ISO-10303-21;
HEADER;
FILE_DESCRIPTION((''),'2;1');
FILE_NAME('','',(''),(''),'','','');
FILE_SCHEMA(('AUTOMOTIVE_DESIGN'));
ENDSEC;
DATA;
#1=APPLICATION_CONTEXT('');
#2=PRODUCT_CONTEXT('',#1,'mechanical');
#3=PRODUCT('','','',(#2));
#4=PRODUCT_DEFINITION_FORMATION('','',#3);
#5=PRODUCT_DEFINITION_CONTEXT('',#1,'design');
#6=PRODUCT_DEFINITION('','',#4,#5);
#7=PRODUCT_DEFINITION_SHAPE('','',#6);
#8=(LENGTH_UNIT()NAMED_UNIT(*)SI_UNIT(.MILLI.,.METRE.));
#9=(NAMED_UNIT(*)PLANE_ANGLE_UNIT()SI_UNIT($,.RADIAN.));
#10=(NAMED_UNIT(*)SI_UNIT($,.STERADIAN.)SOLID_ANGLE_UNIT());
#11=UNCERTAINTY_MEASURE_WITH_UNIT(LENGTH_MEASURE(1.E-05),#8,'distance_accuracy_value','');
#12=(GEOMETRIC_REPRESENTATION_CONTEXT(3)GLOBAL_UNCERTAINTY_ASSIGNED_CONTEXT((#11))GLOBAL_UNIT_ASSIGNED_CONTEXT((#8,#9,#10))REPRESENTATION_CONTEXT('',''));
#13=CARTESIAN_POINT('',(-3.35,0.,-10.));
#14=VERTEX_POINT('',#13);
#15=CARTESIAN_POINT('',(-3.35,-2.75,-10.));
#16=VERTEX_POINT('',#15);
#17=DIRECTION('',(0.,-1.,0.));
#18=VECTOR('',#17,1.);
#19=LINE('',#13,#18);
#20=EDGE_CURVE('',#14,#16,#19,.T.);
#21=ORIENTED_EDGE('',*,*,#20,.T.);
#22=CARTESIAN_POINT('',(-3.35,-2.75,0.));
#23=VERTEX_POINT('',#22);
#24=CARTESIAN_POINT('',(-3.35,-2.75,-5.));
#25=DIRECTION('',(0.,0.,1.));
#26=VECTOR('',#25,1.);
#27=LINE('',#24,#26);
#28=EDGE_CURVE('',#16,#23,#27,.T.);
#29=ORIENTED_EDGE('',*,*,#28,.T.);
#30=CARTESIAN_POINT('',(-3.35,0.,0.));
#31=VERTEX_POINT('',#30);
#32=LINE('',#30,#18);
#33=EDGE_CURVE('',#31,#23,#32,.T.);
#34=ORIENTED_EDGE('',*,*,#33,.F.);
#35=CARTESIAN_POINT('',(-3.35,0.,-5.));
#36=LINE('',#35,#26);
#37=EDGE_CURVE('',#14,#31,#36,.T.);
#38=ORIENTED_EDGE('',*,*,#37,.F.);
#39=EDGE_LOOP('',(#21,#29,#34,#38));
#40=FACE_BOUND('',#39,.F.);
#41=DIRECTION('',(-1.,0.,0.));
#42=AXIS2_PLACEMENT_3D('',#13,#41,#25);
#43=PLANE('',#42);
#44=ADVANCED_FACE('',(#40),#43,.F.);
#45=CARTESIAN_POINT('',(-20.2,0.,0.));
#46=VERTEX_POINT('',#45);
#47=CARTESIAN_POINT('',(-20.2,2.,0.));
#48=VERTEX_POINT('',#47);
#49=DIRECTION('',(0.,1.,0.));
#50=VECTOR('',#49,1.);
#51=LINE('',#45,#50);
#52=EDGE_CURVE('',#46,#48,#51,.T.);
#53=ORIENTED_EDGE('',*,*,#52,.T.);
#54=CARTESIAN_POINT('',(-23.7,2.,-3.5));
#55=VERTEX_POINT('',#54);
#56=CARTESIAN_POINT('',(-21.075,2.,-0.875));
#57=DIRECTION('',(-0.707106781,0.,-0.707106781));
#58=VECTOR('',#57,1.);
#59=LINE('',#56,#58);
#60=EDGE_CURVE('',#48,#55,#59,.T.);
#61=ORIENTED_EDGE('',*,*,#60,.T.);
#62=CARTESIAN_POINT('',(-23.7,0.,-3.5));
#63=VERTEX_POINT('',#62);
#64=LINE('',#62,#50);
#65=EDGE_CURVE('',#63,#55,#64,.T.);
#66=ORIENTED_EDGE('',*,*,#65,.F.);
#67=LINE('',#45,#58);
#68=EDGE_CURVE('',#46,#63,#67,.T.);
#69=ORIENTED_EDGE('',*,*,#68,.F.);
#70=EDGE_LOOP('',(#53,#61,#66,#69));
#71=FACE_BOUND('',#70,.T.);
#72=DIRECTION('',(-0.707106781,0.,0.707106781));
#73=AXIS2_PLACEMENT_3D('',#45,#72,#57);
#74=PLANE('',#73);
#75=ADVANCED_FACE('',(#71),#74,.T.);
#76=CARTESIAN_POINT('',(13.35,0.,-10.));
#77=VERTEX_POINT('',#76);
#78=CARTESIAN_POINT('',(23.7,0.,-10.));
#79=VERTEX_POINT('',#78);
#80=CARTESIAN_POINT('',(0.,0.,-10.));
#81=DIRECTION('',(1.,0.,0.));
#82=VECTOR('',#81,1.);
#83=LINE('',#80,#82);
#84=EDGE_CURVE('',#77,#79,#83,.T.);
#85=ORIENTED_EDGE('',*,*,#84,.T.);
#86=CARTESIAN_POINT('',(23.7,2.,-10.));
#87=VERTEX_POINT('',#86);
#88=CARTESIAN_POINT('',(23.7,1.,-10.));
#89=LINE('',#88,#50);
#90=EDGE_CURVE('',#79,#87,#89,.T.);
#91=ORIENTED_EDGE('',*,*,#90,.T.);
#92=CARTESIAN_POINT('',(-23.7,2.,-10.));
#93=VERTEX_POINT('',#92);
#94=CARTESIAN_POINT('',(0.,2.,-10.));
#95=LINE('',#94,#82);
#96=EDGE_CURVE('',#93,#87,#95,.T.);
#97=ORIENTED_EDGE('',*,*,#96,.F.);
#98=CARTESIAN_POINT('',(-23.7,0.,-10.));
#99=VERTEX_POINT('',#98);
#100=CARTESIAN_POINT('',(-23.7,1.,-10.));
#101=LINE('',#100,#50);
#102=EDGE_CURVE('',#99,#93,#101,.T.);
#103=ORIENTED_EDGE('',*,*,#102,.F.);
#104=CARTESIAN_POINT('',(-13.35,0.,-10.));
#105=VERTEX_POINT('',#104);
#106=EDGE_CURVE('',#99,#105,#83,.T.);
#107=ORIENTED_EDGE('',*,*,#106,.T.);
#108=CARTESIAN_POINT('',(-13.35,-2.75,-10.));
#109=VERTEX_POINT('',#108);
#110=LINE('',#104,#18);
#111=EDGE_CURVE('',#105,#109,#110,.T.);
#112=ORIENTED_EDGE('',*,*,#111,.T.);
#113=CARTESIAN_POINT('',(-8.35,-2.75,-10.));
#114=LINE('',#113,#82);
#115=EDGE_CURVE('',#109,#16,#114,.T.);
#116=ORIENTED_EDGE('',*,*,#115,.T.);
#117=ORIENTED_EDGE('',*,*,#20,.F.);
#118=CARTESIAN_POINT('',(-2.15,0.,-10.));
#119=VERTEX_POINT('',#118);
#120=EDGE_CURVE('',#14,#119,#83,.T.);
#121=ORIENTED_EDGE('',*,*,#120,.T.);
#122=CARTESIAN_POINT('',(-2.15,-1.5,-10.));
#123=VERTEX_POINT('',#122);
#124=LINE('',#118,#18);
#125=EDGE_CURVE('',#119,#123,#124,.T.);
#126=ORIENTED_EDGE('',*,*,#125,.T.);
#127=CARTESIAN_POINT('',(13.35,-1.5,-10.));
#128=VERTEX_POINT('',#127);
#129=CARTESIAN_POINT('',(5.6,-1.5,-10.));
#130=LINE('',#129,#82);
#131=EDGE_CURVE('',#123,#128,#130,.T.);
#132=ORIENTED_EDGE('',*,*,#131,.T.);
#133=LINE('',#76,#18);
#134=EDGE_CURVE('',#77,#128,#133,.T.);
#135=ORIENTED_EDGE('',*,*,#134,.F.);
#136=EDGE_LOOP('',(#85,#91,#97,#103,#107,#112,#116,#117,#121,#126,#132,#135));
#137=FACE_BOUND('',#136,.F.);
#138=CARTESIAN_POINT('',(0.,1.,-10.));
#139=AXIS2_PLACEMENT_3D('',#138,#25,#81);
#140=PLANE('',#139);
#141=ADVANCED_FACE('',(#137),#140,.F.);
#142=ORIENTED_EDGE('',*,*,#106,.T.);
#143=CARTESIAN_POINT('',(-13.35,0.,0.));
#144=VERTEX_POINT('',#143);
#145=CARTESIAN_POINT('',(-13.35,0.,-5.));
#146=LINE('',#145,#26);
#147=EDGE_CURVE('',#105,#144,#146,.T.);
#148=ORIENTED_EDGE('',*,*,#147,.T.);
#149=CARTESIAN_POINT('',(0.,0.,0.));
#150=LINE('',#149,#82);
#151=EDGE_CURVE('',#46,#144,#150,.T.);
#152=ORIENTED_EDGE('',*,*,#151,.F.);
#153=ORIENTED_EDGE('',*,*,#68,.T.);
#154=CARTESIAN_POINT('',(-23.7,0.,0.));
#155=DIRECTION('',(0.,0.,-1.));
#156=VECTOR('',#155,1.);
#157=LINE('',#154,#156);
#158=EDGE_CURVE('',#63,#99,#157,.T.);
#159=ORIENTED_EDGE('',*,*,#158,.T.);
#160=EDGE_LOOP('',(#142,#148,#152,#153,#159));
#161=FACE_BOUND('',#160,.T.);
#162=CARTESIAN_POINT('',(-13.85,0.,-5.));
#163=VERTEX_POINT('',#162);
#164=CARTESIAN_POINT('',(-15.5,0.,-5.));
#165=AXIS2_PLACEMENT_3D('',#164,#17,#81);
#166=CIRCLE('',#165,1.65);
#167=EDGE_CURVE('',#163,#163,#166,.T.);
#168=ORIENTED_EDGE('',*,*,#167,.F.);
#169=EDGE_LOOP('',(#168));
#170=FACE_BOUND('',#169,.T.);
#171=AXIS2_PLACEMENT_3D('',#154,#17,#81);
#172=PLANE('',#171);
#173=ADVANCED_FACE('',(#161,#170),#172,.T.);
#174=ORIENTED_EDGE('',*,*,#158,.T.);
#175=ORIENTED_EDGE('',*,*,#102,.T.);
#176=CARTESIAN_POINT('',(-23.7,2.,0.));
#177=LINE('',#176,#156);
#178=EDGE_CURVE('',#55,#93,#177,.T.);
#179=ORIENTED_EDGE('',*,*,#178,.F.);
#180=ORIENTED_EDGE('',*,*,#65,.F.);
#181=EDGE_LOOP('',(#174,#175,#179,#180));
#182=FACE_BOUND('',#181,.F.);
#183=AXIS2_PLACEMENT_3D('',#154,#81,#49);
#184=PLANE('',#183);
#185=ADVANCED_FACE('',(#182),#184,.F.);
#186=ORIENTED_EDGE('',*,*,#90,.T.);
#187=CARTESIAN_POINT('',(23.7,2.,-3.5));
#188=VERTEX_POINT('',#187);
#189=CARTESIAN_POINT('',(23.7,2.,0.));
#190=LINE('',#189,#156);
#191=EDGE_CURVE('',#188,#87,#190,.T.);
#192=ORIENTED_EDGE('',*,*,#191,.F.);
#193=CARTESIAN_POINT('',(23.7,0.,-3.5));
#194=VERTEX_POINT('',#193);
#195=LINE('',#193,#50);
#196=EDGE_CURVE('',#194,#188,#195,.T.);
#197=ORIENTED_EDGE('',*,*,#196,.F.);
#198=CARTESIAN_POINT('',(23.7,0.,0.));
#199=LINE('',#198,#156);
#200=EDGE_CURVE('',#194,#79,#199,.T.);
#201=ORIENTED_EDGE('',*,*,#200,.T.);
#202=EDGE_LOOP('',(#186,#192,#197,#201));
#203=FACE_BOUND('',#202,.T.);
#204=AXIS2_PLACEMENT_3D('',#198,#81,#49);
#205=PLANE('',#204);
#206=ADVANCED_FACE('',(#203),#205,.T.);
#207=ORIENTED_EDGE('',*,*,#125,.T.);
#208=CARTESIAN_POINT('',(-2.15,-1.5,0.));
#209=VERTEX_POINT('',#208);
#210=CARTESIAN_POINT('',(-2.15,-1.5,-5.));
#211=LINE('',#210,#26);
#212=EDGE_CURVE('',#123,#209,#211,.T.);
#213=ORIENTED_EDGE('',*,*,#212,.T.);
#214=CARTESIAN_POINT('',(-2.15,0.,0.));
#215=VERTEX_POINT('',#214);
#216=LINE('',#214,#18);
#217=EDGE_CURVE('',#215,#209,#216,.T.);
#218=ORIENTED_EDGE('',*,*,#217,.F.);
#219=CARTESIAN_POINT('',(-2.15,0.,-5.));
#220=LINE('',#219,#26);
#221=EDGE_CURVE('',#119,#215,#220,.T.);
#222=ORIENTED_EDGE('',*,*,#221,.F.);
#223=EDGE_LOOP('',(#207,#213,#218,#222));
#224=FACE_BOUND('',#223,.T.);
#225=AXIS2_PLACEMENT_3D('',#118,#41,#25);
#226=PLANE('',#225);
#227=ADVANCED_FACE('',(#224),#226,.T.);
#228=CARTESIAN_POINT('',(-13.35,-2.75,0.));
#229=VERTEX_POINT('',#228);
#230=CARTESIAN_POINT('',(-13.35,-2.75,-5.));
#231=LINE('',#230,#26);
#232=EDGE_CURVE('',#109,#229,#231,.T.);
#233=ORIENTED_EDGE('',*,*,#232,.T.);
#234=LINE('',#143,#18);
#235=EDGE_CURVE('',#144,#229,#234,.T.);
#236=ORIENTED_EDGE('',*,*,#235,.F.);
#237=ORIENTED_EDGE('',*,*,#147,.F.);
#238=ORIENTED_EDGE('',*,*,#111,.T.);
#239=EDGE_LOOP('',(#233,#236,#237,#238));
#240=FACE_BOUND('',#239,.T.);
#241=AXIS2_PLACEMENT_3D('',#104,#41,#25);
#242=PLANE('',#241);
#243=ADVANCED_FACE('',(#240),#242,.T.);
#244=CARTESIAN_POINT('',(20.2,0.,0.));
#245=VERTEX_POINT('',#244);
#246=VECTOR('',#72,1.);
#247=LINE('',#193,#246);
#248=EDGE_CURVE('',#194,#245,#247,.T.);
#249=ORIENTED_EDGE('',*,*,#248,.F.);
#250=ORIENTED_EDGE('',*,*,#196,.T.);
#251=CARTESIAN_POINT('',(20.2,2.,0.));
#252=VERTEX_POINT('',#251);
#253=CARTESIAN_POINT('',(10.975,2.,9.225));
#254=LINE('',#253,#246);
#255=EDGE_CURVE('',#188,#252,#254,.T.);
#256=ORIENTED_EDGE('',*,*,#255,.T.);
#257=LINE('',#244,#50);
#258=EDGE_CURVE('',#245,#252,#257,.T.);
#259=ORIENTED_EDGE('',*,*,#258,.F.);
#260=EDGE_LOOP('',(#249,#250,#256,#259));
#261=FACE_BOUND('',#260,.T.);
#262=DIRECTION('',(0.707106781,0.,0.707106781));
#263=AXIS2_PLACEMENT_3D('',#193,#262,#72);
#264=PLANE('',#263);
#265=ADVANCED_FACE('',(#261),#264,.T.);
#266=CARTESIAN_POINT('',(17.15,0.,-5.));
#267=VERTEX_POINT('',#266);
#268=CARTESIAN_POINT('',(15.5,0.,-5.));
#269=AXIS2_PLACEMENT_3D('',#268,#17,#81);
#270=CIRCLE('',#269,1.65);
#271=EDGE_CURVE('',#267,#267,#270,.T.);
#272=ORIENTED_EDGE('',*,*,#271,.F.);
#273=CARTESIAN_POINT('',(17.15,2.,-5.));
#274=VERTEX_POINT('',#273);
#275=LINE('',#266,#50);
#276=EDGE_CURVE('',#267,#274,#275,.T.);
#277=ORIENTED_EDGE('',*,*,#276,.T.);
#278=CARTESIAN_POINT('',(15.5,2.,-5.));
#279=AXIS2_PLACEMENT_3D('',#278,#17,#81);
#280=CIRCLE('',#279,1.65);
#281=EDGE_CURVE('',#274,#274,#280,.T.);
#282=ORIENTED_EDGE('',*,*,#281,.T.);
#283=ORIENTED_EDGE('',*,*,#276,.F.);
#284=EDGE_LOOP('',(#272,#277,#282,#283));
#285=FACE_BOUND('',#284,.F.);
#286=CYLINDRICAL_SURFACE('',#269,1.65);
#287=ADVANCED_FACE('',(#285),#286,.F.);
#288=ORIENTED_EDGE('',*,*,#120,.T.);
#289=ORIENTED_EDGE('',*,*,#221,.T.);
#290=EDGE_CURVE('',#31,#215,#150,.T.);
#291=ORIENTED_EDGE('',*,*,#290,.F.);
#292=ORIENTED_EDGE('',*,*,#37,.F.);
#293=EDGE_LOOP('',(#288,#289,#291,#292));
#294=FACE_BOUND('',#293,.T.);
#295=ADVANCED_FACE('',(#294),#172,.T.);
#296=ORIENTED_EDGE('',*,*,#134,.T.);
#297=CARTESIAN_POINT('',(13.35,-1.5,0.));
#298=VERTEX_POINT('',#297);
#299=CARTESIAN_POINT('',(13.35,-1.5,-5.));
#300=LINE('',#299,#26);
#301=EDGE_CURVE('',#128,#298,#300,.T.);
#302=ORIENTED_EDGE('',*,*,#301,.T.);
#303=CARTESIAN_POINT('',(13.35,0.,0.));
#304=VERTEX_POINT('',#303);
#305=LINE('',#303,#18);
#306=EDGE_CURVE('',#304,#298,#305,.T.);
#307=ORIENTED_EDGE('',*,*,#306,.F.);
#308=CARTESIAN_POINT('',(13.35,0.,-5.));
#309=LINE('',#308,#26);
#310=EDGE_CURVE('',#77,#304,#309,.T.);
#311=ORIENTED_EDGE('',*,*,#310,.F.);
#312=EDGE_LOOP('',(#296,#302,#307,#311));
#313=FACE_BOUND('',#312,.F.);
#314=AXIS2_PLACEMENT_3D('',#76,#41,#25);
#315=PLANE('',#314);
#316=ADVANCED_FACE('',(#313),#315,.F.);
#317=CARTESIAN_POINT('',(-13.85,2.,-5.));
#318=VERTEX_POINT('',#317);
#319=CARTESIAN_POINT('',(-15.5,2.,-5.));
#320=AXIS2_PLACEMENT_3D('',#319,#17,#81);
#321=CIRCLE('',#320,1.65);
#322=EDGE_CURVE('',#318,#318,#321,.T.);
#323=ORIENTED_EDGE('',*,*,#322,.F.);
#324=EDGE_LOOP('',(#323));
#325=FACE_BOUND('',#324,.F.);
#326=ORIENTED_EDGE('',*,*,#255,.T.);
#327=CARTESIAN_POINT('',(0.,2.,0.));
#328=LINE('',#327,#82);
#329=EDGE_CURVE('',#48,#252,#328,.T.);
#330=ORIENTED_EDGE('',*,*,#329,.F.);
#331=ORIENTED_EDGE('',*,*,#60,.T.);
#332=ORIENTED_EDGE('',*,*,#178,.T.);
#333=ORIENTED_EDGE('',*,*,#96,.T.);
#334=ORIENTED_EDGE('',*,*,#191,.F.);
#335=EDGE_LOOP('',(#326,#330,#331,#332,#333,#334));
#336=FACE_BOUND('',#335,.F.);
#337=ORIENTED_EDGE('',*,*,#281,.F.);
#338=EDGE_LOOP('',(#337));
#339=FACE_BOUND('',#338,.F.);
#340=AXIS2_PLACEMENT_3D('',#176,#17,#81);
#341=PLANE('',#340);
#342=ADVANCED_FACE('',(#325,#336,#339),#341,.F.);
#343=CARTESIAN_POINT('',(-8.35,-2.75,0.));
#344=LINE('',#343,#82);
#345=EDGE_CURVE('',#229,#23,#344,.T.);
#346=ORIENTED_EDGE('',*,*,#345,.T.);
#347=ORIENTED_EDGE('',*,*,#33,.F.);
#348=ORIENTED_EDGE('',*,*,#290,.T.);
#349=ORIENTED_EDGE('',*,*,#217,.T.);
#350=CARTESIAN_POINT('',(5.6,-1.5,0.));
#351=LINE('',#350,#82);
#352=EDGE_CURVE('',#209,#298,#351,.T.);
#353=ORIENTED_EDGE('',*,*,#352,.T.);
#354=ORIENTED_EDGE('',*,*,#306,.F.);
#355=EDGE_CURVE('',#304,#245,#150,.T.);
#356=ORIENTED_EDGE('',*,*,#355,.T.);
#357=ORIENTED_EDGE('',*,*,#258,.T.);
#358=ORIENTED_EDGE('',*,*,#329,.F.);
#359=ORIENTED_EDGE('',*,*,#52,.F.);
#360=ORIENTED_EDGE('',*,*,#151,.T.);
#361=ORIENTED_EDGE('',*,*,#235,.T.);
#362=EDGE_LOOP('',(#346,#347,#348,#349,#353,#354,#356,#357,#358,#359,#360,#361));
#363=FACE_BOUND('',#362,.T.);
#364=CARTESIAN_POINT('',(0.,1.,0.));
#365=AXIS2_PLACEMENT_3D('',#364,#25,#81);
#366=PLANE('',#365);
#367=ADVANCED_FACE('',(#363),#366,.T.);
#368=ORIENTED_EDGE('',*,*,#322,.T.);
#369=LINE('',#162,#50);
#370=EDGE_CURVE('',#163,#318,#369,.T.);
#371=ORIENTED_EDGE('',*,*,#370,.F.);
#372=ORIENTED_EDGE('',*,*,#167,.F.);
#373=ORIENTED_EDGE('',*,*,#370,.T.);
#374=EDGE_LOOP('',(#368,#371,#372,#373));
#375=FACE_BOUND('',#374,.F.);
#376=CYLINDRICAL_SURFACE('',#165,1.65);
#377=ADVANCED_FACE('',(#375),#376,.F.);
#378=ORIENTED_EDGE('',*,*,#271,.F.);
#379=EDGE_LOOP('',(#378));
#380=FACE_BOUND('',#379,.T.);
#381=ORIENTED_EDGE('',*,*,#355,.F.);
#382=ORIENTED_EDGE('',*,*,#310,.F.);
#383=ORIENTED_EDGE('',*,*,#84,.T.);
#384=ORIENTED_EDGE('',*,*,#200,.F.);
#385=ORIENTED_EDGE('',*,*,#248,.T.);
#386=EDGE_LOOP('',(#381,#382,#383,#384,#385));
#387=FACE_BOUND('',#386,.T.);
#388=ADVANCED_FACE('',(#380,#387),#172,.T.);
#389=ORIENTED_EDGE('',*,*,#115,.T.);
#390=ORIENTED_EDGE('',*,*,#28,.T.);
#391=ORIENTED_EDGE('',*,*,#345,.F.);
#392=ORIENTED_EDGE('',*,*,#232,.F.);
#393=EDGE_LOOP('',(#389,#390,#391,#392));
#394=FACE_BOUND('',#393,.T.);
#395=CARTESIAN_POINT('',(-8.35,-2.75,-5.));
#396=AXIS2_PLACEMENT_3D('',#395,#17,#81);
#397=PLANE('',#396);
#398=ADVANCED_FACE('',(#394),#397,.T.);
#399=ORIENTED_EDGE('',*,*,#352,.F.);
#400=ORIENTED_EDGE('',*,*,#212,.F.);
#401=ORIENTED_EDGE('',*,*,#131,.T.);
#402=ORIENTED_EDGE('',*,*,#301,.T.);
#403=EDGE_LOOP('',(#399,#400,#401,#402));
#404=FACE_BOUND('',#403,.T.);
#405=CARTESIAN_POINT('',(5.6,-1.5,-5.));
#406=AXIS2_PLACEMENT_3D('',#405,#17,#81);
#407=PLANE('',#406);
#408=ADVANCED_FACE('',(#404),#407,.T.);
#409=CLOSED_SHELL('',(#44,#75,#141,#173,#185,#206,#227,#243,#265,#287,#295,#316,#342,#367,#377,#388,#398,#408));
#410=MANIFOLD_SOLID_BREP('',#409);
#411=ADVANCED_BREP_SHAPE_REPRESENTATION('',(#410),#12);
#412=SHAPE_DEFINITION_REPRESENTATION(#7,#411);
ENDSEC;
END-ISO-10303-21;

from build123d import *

# Parameters (mm, degrees)
SKETCH_W             = 47.4
SKETCH_H             = 2
PAD_DEPTH            = 10
SKETCH002_W          = 15.5
SKETCH002_H          = 10
PAD001_DEPTH         = 1.5
SKETCH003_R          = 1.65
POCKET_DEPTH         = 2.001
POCKET_DEPTH_BACK    = 1.501
POCKET001_DEPTH      = 2.001
POCKET001_DEPTH_BACK = 1.501
SKETCH005_W          = 10
SKETCH005_H          = 10
PAD002_DEPTH         = 2.75


with BuildPart() as part:
    # Sketch → Pad (new body)
    with BuildSketch(Plane.XY):
        with Locations((0, 1)):
            Rectangle(SKETCH_W, SKETCH_H)
    extrude(amount=-PAD_DEPTH)

    # Sketch002 → Pad001 (join)
    with BuildSketch(Plane.XZ):
        with Locations((5.6, -5)):
            Rectangle(SKETCH002_W, SKETCH002_H)
    extrude(amount=PAD001_DEPTH)

    # Sketch003 → Pocket (cut, two sides)
    with BuildSketch(Plane.XZ) as pocket_sk:
        with Locations((-15.5, -5)):
            Circle(SKETCH003_R)
        with Locations((15.5, -5)):
            Circle(SKETCH003_R)
    extrude(amount=-POCKET_DEPTH, mode=Mode.SUBTRACT)
    extrude(pocket_sk.sketch, amount=POCKET_DEPTH_BACK, mode=Mode.SUBTRACT)

    # Sketch004 → Pocket001 (cut, two sides)
    with BuildSketch(Plane.XZ) as pocket001_sk:
        Polygon((-20.2, 0), (-23.7, -3.5), (-23.7, 0), align=None)
        Polygon((20.2, 0), (23.7, 0), (23.7, -3.5), align=None)
    extrude(amount=-POCKET001_DEPTH, mode=Mode.SUBTRACT)
    extrude(pocket001_sk.sketch, amount=POCKET001_DEPTH_BACK, mode=Mode.SUBTRACT)

    # Sketch005 → Pad002 (join)
    with BuildSketch(Plane.XZ):
        with Locations((-8.35, -5)):
            Rectangle(SKETCH005_W, SKETCH005_H)
    extrude(amount=PAD002_DEPTH)


solid = part.part
